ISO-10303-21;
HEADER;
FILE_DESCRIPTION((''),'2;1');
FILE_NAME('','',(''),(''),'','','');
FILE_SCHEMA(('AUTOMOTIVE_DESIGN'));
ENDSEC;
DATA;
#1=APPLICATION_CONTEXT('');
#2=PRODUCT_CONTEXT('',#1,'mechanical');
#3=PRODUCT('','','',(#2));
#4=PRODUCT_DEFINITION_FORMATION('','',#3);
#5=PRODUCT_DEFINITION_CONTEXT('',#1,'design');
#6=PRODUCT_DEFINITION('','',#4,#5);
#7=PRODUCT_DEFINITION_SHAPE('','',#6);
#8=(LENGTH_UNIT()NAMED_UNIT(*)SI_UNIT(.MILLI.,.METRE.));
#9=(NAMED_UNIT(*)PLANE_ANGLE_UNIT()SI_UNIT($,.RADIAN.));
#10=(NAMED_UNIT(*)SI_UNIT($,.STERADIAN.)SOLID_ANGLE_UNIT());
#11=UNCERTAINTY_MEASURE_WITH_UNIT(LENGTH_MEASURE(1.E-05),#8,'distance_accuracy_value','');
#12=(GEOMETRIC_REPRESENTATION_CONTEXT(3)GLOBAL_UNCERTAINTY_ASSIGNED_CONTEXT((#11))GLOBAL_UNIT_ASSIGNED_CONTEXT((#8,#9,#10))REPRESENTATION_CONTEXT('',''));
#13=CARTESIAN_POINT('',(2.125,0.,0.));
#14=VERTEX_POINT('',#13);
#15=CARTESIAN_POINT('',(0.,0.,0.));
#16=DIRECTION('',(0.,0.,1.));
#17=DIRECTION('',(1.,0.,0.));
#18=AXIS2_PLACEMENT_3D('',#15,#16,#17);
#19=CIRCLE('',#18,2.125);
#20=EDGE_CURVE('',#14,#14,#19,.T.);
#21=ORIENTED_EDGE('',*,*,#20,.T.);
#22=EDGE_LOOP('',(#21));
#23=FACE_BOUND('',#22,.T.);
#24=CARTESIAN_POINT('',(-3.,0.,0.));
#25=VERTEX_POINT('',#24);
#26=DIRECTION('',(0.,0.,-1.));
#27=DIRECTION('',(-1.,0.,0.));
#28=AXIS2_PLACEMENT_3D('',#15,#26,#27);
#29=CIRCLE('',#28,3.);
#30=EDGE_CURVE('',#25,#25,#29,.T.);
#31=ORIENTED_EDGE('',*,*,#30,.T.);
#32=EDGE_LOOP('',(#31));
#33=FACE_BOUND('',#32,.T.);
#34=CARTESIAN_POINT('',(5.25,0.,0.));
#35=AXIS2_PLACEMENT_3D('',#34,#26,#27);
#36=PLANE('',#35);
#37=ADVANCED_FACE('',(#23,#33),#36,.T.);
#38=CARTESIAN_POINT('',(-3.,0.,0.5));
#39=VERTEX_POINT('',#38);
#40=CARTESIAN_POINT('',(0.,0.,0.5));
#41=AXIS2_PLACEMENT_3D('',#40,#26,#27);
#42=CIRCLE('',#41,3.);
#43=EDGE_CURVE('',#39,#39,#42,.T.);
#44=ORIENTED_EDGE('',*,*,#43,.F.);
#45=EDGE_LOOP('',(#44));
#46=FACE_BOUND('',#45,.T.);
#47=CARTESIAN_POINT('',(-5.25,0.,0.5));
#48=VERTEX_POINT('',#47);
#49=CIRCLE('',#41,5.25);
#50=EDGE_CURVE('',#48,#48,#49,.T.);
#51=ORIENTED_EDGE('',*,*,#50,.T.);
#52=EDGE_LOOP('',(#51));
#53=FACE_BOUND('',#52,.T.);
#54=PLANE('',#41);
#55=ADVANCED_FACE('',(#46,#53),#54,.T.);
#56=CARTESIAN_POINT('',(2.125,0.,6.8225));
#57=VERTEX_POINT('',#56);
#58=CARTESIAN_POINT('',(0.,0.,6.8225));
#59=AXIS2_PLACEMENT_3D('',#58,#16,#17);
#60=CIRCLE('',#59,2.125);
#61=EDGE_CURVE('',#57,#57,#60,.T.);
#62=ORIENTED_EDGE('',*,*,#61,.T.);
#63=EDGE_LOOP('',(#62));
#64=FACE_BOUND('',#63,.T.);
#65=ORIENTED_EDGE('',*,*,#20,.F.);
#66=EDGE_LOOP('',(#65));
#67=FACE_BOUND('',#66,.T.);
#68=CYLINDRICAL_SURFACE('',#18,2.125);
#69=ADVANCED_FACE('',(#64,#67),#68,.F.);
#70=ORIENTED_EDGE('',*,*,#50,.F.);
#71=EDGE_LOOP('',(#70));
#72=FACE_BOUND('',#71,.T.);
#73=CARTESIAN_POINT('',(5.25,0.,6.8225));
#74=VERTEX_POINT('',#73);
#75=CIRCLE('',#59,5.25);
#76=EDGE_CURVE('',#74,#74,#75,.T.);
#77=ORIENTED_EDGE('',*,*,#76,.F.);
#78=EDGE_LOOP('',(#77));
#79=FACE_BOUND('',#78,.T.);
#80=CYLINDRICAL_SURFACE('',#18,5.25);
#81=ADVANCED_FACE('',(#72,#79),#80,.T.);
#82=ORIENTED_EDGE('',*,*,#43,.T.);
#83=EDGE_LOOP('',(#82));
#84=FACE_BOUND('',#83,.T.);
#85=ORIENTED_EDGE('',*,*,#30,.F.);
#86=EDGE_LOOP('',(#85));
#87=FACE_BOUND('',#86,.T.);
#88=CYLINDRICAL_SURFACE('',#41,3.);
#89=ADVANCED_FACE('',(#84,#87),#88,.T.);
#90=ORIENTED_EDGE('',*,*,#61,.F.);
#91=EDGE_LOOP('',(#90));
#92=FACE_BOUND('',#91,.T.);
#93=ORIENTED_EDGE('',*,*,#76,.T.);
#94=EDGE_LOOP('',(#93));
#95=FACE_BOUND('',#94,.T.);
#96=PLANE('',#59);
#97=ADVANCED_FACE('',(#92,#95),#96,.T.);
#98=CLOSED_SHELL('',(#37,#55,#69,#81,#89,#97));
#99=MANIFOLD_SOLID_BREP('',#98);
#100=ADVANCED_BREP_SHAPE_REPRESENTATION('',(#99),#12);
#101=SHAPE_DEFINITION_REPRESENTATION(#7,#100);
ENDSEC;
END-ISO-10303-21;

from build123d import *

# Parameters (mm, degrees)
SKETCH1_W           = 3.125
SKETCH1_H           = 3.75
SKETCH2_R           = 5.25
SKETCH2_R_2         = 2.125
BOSS_EXTRUDE1_DEPTH = 3.0725
SKETCH3_R           = 5.25
SKETCH3_R_2         = 3
CUT_EXTRUDE1_DEPTH  = 0.5


with BuildPart() as part:
    # Sketch1 → Revolve1 (revolve)
    with BuildSketch(Plane(origin=(0, 0, 0), x_dir=(1, 0, 0), z_dir=(0, 1, 0))):
        with Locations((3.6875, -1.875)):
            Rectangle(SKETCH1_W, SKETCH1_H)
    revolve(axis=Axis((0, 0, 0), (0, 0, 1)))

    # Sketch2 → Boss-Extrude1 (add)
    with BuildSketch(Plane.XY.offset(3.75)):
        Circle(SKETCH2_R)
        Circle(SKETCH2_R_2, mode=Mode.SUBTRACT)
    extrude(amount=BOSS_EXTRUDE1_DEPTH)

    # Sketch3 → Cut-Extrude1 (cut)
    with BuildSketch(Plane(origin=(0, 0, 0), x_dir=(-1, 0, 0), z_dir=(0, 0, -1))):
        Circle(SKETCH3_R)
        Circle(SKETCH3_R_2, mode=Mode.SUBTRACT)
    extrude(amount=-CUT_EXTRUDE1_DEPTH, mode=Mode.SUBTRACT)


solid = part.part
